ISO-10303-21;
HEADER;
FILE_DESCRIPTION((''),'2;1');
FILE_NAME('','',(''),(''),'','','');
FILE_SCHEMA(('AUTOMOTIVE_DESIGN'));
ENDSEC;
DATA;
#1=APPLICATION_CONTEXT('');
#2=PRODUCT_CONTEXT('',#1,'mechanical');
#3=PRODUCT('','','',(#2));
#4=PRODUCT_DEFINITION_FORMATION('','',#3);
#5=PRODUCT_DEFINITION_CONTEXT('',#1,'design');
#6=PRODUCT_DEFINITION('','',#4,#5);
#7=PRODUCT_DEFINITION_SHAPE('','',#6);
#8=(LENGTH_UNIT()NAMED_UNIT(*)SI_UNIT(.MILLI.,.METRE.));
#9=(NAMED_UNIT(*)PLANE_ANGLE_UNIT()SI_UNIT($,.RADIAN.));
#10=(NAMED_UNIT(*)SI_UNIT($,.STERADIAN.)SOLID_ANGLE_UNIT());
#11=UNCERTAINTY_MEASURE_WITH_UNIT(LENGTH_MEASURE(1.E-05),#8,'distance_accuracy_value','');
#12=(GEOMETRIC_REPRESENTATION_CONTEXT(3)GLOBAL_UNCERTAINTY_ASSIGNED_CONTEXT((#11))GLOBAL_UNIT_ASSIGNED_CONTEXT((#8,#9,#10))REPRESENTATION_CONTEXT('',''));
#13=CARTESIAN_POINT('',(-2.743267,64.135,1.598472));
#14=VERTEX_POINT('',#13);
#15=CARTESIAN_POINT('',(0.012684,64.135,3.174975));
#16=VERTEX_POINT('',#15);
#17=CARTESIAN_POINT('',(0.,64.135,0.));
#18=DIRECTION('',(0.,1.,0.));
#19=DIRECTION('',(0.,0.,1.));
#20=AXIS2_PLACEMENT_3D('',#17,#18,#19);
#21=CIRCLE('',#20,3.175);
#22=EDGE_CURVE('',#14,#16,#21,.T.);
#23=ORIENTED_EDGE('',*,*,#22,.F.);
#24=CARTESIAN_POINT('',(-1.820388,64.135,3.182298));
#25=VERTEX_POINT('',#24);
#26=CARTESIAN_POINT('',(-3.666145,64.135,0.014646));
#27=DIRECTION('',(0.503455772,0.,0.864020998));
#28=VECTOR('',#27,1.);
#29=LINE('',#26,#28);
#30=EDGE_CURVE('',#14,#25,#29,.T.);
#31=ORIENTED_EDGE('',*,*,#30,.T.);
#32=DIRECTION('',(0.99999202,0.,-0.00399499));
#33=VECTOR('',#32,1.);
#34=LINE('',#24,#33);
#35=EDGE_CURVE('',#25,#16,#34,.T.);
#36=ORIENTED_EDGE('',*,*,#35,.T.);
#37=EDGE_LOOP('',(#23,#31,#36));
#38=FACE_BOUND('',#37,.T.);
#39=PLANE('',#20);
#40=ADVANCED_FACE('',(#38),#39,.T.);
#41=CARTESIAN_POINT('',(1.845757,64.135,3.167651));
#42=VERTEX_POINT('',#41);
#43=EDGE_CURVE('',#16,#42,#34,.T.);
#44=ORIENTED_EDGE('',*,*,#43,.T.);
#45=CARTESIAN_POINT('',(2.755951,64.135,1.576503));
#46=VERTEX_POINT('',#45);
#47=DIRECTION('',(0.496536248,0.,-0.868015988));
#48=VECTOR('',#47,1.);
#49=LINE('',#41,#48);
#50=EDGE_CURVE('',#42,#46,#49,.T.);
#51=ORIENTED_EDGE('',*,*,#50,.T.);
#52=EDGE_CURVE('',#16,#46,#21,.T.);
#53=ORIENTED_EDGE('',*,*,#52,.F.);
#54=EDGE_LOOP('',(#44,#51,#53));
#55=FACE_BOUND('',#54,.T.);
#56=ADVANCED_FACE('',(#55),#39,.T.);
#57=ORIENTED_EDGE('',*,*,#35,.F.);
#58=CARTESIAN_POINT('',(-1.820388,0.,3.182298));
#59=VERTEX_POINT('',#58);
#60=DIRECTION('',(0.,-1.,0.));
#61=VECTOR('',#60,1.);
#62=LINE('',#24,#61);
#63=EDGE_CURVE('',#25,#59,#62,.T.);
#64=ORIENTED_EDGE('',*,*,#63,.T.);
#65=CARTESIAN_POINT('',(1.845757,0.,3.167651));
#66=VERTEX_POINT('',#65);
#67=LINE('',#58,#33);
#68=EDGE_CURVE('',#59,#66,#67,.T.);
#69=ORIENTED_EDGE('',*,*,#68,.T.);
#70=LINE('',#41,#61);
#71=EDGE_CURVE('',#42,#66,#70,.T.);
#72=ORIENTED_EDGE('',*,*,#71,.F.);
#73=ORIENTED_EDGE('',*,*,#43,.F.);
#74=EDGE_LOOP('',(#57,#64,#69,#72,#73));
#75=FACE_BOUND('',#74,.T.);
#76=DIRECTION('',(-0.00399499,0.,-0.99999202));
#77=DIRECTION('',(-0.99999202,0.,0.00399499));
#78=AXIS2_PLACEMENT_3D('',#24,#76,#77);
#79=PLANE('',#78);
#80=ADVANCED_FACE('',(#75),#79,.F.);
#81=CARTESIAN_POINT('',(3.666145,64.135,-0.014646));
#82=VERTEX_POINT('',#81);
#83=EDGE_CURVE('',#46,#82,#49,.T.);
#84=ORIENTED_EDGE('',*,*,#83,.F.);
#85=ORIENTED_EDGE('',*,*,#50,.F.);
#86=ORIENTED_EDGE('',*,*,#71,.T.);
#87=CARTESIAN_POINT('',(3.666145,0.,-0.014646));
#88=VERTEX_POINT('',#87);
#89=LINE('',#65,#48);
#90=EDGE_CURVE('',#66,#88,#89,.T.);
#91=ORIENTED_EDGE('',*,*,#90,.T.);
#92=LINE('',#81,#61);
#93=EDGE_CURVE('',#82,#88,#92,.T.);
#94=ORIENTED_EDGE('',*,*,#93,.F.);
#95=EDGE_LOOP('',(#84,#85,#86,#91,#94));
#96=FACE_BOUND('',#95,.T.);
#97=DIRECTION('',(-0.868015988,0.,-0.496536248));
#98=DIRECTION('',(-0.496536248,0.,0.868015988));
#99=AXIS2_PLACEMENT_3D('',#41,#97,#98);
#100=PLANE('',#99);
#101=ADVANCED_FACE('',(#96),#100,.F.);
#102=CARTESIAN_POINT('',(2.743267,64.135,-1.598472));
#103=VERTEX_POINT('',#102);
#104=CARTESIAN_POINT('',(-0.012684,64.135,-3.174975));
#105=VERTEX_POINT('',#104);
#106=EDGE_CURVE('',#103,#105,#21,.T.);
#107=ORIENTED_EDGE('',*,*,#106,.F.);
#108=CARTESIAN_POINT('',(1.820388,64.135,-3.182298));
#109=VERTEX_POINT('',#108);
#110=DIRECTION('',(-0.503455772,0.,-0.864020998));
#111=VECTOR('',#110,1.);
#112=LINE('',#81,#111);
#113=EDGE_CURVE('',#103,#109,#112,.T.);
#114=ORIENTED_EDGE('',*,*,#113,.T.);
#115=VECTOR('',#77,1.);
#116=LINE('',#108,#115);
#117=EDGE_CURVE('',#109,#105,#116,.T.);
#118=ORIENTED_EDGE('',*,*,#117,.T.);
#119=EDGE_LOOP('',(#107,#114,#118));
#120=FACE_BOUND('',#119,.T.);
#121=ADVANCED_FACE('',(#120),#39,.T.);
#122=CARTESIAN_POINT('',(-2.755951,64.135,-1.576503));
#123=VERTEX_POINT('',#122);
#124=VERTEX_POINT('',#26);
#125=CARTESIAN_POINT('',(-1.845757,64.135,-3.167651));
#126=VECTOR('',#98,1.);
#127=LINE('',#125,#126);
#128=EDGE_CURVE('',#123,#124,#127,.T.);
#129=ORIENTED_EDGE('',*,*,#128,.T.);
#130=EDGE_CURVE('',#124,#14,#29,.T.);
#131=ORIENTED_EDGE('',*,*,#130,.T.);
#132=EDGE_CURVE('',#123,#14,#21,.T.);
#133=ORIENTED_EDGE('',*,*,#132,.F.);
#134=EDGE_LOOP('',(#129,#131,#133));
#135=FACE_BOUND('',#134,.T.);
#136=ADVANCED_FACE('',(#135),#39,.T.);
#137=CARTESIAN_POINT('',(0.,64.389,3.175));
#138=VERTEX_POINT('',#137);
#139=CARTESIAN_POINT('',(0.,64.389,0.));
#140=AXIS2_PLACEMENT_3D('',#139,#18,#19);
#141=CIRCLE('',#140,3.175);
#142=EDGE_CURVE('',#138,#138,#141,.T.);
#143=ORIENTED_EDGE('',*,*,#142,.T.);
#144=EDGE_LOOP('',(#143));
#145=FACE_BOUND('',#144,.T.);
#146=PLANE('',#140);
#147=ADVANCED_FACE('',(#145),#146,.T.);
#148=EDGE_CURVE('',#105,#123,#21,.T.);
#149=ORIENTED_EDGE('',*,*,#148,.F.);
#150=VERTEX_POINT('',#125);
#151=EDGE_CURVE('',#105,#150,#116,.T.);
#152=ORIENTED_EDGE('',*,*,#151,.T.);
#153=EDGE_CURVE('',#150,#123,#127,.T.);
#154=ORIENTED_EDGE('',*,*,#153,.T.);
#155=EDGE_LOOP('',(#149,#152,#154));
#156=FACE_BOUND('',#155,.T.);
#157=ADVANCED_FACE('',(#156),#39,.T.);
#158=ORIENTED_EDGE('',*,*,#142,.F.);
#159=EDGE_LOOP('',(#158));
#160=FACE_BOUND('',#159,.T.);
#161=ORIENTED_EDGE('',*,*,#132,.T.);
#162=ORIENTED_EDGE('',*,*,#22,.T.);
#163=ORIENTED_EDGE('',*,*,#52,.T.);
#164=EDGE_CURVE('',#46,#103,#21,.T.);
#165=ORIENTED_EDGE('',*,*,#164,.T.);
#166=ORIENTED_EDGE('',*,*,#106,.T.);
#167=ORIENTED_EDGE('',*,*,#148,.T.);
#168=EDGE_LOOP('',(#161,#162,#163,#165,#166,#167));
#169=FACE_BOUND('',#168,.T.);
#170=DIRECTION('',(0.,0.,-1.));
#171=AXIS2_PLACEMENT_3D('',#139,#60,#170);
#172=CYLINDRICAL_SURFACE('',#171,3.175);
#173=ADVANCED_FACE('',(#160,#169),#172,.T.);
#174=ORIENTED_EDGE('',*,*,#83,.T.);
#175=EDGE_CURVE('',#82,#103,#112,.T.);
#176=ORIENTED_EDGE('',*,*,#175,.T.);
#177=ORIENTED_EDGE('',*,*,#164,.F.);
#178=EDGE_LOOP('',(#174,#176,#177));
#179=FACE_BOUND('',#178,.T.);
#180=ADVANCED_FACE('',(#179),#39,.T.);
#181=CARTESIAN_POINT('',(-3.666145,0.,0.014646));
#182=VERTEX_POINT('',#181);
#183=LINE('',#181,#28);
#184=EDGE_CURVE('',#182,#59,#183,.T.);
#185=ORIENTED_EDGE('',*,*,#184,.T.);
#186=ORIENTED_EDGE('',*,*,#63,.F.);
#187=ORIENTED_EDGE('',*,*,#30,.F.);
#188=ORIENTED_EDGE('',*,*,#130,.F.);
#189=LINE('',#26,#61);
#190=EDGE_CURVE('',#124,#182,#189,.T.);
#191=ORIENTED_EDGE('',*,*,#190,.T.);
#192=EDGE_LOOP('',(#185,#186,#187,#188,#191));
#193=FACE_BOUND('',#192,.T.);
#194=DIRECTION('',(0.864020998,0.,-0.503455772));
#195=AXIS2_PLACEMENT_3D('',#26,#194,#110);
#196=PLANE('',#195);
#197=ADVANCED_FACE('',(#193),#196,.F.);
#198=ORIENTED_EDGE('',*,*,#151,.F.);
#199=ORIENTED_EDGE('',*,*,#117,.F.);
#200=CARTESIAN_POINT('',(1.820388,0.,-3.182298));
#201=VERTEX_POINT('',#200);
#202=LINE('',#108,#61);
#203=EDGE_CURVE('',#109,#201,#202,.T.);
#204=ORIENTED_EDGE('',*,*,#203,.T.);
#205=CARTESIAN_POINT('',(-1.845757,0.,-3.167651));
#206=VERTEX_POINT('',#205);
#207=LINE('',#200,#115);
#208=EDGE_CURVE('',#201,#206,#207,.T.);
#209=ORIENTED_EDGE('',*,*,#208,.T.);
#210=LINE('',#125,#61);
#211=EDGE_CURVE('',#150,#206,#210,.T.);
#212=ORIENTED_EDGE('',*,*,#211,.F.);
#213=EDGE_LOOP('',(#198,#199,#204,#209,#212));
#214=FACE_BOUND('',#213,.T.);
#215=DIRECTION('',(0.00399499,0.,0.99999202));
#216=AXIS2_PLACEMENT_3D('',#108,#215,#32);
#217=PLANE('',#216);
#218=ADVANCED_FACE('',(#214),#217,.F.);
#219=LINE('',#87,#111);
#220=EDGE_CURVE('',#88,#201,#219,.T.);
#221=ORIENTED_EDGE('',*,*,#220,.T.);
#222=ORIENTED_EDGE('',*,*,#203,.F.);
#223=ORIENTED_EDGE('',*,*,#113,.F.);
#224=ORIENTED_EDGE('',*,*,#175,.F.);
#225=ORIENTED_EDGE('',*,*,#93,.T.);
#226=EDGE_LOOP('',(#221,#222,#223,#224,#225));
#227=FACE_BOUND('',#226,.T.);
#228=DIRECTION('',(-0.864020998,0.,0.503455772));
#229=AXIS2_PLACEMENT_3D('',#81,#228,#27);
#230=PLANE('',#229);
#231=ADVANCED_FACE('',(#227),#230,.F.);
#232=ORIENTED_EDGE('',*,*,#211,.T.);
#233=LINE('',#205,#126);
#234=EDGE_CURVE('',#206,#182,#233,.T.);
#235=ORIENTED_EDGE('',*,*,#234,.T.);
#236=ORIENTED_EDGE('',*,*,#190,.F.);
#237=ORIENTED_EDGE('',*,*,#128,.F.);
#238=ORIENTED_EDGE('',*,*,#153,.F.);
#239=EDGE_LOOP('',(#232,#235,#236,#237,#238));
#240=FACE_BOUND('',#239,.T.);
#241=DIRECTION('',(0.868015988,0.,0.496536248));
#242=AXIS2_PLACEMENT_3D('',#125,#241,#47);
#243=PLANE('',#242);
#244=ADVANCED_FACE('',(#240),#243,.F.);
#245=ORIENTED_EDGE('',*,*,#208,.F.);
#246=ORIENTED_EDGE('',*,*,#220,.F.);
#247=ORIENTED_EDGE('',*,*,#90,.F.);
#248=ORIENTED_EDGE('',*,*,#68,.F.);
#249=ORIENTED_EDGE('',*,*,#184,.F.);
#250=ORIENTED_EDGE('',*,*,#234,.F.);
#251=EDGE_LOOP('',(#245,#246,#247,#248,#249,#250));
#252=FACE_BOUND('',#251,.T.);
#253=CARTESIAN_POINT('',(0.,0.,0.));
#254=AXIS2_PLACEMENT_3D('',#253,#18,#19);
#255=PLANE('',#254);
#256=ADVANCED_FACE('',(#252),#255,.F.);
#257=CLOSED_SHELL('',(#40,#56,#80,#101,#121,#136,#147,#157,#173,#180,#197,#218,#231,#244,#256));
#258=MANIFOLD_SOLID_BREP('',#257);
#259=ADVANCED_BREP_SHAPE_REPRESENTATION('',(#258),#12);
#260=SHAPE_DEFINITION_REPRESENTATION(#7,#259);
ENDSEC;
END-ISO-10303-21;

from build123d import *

# Parameters (mm, degrees)
BOSS_EXTRUDE1_DEPTH = 64.135
SKETCH2_R           = 3.175
BOSS_EXTRUDE2_DEPTH = 0.254


with BuildPart() as part:
    # Sketch1 → Boss-Extrude1 (new body)
    with BuildSketch(Plane(origin=(0, 0, 0), x_dir=(1, 0, 0), z_dir=(0, 1, 0))):
        Polygon((1.820388385, 3.182297827), (-1.845756569, 3.1676515), (-3.666144953, -0.014646328), (-1.820388385, -3.182297827), (1.845756569, -3.1676515), (3.666144953, 0.014646328), align=None)
    extrude(amount=BOSS_EXTRUDE1_DEPTH)

    # Sketch2 → Boss-Extrude2 (add)
    with BuildSketch(Plane(origin=(0, 64.135, 0), x_dir=(1, 0, 0), z_dir=(0, 1, 0))):
        with Locations(Location((0, 0, 0), (0, 0, 90.228896653))):
            Circle(SKETCH2_R)
    extrude(amount=BOSS_EXTRUDE2_DEPTH)


solid = part.part
